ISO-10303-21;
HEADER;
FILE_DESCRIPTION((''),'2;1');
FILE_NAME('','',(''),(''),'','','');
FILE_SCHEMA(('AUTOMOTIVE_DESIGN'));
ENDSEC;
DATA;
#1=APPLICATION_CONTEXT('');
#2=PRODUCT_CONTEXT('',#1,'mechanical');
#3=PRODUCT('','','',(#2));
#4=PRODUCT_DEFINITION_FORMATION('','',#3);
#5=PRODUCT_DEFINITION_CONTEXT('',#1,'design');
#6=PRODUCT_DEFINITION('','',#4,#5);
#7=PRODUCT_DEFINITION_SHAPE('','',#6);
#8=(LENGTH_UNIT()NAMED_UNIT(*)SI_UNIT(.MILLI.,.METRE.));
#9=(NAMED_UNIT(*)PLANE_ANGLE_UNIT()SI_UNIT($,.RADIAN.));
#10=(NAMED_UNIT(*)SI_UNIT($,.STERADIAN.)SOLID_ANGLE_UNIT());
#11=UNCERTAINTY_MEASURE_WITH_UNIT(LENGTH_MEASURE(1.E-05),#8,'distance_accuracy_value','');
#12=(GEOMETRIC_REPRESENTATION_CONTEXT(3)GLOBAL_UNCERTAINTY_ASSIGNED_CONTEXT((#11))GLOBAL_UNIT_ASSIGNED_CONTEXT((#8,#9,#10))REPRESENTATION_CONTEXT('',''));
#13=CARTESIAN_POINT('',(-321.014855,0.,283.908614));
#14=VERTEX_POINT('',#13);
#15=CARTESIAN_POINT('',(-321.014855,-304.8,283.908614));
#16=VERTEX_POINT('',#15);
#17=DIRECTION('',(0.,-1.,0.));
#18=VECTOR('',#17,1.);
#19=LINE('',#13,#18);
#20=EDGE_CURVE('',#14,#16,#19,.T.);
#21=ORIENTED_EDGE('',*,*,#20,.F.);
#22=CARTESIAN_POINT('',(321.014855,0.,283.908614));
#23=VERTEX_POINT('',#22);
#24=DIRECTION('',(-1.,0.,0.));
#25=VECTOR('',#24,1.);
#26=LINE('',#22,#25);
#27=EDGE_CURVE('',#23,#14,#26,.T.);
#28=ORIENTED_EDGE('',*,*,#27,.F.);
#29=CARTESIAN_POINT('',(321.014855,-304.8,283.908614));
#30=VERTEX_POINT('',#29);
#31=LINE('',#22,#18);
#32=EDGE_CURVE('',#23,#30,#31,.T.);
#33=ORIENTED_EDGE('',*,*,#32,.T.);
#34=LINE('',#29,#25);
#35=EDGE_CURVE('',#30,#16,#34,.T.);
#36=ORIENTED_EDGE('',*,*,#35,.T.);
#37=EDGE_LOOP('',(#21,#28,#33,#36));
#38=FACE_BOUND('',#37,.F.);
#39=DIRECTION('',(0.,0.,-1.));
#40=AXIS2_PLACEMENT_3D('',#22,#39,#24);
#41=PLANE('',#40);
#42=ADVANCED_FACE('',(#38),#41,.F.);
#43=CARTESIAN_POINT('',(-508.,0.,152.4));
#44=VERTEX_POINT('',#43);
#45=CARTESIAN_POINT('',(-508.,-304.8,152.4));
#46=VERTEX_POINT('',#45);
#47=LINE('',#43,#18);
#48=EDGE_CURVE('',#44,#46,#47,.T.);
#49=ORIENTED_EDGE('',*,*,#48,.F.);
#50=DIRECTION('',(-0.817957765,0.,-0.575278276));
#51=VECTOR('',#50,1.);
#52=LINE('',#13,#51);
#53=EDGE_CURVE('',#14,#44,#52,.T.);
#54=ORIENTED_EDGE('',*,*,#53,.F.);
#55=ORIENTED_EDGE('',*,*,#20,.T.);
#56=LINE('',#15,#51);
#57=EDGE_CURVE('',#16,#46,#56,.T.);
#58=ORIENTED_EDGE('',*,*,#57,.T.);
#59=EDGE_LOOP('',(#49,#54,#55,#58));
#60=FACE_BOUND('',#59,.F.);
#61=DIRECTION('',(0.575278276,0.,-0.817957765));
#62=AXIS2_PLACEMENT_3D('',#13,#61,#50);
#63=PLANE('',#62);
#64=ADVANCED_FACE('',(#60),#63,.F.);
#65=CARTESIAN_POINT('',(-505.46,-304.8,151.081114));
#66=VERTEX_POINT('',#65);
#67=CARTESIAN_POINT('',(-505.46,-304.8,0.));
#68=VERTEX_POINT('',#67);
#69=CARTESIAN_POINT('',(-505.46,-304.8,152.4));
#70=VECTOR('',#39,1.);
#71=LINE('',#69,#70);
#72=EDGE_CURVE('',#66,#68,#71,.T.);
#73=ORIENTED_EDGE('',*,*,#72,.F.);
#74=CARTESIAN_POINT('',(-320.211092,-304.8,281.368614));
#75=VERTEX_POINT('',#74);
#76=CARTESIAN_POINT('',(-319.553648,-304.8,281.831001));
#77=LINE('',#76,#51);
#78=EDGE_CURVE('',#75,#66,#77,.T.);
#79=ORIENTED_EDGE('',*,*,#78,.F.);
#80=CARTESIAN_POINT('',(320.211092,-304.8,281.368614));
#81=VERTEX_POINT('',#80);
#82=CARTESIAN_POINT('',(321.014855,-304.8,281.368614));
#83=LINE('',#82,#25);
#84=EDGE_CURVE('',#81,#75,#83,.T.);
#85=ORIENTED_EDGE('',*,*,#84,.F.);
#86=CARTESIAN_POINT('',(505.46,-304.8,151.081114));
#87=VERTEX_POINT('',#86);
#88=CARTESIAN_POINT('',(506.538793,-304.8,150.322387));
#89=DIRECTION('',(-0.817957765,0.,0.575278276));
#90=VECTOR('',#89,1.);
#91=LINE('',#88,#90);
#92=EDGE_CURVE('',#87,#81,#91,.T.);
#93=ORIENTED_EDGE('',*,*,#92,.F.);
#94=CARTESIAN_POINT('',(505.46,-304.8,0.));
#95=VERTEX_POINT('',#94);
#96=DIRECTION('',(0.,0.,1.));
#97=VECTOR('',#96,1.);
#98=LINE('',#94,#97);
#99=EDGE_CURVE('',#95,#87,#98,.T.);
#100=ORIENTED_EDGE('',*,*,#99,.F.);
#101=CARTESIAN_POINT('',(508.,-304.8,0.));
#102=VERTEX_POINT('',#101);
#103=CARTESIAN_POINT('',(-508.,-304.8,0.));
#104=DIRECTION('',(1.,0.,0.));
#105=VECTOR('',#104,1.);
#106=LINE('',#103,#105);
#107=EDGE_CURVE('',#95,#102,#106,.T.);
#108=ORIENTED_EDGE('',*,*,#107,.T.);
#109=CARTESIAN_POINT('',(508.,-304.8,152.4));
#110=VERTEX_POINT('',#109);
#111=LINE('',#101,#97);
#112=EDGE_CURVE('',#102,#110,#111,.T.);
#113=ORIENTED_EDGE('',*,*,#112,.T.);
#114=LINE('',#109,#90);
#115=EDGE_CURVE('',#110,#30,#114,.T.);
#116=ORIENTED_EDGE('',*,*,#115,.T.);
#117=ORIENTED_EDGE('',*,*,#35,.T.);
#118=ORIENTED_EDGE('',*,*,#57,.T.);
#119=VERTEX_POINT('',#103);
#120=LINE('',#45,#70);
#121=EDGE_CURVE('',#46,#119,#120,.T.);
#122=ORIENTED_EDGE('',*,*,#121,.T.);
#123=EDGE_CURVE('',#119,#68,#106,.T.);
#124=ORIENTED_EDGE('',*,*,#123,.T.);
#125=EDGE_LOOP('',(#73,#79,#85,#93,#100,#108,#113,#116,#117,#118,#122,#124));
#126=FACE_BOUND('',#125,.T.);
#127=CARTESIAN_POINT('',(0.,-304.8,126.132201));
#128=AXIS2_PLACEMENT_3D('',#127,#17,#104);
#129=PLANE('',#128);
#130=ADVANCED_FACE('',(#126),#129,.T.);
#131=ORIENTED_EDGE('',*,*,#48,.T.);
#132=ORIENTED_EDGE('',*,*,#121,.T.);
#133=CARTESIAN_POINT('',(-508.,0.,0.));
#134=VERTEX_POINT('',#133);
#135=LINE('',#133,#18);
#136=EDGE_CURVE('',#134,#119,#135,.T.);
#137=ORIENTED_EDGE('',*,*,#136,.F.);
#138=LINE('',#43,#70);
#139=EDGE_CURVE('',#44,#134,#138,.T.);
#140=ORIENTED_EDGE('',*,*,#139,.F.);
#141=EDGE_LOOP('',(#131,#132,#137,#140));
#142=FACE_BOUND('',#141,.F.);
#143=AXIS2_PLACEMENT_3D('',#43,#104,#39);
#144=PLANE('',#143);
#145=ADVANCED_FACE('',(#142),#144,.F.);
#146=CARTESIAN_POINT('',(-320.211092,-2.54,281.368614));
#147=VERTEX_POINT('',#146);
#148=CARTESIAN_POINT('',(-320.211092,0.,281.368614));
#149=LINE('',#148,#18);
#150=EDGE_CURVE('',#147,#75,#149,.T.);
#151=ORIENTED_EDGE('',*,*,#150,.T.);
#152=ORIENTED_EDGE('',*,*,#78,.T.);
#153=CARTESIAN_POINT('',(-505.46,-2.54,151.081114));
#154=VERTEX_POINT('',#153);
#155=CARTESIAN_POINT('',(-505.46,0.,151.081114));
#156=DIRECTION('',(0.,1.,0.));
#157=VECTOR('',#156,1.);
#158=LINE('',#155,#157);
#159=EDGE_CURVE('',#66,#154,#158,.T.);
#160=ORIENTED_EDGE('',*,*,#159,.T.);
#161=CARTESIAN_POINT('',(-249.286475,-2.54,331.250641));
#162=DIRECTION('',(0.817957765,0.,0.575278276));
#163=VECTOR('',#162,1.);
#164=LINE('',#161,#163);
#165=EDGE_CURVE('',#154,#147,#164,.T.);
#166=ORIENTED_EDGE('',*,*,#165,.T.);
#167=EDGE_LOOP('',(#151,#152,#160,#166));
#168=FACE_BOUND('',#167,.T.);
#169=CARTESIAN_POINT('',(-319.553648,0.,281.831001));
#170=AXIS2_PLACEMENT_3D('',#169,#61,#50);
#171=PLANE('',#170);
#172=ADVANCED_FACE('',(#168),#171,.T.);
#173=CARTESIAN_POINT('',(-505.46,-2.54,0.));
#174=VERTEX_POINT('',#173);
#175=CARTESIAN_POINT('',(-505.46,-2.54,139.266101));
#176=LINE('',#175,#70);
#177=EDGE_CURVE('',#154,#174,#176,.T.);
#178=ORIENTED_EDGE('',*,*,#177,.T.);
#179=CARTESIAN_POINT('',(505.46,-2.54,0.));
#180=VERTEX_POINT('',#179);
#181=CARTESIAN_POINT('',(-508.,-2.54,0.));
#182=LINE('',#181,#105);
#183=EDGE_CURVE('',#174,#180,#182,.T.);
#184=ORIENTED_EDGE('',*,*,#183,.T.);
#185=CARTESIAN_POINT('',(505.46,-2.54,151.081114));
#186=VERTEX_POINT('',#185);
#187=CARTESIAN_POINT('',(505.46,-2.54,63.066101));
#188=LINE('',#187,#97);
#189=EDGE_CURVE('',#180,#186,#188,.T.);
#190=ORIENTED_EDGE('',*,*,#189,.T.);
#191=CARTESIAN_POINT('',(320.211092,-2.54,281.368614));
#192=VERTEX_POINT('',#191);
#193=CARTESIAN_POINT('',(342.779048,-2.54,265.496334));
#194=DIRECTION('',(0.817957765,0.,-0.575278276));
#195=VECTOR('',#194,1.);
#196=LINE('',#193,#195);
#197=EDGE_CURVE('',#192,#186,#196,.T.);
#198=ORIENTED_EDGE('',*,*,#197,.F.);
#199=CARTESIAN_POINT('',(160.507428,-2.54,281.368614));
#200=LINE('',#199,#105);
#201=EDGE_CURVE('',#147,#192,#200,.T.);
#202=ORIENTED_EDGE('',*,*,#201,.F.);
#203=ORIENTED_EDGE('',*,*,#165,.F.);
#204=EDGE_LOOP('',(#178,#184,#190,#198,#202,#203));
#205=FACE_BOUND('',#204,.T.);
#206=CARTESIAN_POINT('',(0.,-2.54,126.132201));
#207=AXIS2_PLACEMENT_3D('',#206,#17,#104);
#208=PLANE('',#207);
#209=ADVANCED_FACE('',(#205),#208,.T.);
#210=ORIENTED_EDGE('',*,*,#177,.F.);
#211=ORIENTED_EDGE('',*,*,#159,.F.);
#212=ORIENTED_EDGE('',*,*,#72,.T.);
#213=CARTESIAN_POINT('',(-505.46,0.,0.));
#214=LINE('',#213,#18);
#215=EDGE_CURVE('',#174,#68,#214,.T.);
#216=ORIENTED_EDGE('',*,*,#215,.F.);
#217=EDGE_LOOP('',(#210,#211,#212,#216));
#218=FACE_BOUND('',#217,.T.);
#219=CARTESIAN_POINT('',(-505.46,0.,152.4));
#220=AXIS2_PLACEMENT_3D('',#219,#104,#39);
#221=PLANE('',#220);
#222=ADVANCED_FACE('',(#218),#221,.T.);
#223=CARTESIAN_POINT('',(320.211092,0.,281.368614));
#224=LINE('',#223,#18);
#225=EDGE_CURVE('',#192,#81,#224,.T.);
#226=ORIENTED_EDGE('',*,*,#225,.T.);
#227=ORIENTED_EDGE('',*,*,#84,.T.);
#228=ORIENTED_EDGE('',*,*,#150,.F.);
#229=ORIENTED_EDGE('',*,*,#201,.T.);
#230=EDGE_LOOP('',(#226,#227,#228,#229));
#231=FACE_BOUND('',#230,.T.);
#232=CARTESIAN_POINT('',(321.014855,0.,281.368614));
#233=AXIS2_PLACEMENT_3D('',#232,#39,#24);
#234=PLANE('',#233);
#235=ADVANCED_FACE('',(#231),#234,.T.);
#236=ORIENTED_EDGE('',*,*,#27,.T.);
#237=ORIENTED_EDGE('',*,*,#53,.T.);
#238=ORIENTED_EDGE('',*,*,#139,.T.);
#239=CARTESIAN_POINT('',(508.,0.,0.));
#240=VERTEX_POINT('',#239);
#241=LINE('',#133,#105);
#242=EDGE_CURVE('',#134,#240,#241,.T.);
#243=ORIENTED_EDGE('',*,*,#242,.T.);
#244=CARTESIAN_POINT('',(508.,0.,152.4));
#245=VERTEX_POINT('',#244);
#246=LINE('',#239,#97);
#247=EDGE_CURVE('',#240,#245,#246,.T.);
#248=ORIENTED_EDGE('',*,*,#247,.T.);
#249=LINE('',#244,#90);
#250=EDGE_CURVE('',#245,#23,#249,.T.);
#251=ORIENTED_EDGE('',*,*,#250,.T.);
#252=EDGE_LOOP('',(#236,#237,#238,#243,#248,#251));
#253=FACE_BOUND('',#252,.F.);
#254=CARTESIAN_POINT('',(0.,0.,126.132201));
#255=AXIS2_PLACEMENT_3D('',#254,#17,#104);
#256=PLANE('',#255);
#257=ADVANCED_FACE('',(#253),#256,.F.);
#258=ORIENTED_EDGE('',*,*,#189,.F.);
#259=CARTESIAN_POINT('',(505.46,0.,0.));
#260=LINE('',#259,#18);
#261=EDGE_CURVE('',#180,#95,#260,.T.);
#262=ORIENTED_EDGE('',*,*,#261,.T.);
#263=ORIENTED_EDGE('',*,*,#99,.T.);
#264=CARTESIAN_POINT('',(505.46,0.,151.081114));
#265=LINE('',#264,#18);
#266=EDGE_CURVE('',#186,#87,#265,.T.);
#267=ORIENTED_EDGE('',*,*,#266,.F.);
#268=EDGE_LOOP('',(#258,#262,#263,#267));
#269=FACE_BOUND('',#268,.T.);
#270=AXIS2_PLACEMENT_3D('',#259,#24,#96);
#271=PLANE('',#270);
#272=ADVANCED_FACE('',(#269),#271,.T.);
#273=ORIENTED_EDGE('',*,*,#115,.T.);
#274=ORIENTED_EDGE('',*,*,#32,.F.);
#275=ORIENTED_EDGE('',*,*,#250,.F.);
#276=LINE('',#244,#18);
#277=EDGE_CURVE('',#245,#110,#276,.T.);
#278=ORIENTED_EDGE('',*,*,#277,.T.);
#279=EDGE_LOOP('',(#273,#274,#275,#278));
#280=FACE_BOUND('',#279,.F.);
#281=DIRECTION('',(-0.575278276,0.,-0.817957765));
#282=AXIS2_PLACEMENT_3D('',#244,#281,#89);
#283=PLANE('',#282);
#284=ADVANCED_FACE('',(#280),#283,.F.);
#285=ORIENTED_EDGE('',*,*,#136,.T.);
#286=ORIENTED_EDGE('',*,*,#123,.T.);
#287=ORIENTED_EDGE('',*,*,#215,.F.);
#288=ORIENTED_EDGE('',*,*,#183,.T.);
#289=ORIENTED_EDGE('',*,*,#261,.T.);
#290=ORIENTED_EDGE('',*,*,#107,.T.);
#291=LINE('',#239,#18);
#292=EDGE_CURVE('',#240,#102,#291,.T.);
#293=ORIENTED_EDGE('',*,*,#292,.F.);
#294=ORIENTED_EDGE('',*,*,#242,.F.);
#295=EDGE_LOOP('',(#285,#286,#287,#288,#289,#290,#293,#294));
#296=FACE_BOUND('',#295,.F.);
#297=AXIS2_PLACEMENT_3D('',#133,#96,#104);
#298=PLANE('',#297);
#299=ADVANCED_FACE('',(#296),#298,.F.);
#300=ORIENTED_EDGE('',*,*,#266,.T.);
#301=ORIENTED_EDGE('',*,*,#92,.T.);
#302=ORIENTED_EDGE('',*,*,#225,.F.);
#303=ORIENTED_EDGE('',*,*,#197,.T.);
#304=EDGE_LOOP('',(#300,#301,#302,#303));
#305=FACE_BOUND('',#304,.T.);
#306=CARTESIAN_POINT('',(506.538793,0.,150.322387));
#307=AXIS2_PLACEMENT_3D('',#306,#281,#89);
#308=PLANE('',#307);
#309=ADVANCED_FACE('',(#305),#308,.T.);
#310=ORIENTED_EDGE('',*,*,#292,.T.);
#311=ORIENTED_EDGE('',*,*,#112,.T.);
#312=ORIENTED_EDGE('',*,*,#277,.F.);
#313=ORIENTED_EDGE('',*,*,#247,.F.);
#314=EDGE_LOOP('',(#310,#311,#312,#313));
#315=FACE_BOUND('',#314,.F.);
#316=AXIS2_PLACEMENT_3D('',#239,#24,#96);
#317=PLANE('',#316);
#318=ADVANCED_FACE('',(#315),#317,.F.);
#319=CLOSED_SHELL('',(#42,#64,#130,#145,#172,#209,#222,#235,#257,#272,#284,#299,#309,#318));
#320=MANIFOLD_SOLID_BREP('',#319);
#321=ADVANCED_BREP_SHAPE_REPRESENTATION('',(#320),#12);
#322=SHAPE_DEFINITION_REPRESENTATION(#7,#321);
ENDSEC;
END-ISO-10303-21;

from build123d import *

# Parameters (mm, degrees)
F1_DEPTH = 304.8
F2_T     = -2.54


with BuildPart() as f1:
    # F0 (on Front) → F1 (new body)
    with BuildSketch(Plane.XZ):
        Polygon((-508, 152.4), (-508, 0), (508, 0), (508, 152.4), (321.014855, 283.908614), (-321.014855, 283.908614), align=None)
    extrude(amount=F1_DEPTH)

    # F2
    f2_openings = [f1.faces().sort_by_distance(p)[0] for p in [
        (0, -304.8, 132.810327),
        (0, -152.4, 0),
    ]]
    offset(amount=F2_T, openings=f2_openings)


solid = f1.part
